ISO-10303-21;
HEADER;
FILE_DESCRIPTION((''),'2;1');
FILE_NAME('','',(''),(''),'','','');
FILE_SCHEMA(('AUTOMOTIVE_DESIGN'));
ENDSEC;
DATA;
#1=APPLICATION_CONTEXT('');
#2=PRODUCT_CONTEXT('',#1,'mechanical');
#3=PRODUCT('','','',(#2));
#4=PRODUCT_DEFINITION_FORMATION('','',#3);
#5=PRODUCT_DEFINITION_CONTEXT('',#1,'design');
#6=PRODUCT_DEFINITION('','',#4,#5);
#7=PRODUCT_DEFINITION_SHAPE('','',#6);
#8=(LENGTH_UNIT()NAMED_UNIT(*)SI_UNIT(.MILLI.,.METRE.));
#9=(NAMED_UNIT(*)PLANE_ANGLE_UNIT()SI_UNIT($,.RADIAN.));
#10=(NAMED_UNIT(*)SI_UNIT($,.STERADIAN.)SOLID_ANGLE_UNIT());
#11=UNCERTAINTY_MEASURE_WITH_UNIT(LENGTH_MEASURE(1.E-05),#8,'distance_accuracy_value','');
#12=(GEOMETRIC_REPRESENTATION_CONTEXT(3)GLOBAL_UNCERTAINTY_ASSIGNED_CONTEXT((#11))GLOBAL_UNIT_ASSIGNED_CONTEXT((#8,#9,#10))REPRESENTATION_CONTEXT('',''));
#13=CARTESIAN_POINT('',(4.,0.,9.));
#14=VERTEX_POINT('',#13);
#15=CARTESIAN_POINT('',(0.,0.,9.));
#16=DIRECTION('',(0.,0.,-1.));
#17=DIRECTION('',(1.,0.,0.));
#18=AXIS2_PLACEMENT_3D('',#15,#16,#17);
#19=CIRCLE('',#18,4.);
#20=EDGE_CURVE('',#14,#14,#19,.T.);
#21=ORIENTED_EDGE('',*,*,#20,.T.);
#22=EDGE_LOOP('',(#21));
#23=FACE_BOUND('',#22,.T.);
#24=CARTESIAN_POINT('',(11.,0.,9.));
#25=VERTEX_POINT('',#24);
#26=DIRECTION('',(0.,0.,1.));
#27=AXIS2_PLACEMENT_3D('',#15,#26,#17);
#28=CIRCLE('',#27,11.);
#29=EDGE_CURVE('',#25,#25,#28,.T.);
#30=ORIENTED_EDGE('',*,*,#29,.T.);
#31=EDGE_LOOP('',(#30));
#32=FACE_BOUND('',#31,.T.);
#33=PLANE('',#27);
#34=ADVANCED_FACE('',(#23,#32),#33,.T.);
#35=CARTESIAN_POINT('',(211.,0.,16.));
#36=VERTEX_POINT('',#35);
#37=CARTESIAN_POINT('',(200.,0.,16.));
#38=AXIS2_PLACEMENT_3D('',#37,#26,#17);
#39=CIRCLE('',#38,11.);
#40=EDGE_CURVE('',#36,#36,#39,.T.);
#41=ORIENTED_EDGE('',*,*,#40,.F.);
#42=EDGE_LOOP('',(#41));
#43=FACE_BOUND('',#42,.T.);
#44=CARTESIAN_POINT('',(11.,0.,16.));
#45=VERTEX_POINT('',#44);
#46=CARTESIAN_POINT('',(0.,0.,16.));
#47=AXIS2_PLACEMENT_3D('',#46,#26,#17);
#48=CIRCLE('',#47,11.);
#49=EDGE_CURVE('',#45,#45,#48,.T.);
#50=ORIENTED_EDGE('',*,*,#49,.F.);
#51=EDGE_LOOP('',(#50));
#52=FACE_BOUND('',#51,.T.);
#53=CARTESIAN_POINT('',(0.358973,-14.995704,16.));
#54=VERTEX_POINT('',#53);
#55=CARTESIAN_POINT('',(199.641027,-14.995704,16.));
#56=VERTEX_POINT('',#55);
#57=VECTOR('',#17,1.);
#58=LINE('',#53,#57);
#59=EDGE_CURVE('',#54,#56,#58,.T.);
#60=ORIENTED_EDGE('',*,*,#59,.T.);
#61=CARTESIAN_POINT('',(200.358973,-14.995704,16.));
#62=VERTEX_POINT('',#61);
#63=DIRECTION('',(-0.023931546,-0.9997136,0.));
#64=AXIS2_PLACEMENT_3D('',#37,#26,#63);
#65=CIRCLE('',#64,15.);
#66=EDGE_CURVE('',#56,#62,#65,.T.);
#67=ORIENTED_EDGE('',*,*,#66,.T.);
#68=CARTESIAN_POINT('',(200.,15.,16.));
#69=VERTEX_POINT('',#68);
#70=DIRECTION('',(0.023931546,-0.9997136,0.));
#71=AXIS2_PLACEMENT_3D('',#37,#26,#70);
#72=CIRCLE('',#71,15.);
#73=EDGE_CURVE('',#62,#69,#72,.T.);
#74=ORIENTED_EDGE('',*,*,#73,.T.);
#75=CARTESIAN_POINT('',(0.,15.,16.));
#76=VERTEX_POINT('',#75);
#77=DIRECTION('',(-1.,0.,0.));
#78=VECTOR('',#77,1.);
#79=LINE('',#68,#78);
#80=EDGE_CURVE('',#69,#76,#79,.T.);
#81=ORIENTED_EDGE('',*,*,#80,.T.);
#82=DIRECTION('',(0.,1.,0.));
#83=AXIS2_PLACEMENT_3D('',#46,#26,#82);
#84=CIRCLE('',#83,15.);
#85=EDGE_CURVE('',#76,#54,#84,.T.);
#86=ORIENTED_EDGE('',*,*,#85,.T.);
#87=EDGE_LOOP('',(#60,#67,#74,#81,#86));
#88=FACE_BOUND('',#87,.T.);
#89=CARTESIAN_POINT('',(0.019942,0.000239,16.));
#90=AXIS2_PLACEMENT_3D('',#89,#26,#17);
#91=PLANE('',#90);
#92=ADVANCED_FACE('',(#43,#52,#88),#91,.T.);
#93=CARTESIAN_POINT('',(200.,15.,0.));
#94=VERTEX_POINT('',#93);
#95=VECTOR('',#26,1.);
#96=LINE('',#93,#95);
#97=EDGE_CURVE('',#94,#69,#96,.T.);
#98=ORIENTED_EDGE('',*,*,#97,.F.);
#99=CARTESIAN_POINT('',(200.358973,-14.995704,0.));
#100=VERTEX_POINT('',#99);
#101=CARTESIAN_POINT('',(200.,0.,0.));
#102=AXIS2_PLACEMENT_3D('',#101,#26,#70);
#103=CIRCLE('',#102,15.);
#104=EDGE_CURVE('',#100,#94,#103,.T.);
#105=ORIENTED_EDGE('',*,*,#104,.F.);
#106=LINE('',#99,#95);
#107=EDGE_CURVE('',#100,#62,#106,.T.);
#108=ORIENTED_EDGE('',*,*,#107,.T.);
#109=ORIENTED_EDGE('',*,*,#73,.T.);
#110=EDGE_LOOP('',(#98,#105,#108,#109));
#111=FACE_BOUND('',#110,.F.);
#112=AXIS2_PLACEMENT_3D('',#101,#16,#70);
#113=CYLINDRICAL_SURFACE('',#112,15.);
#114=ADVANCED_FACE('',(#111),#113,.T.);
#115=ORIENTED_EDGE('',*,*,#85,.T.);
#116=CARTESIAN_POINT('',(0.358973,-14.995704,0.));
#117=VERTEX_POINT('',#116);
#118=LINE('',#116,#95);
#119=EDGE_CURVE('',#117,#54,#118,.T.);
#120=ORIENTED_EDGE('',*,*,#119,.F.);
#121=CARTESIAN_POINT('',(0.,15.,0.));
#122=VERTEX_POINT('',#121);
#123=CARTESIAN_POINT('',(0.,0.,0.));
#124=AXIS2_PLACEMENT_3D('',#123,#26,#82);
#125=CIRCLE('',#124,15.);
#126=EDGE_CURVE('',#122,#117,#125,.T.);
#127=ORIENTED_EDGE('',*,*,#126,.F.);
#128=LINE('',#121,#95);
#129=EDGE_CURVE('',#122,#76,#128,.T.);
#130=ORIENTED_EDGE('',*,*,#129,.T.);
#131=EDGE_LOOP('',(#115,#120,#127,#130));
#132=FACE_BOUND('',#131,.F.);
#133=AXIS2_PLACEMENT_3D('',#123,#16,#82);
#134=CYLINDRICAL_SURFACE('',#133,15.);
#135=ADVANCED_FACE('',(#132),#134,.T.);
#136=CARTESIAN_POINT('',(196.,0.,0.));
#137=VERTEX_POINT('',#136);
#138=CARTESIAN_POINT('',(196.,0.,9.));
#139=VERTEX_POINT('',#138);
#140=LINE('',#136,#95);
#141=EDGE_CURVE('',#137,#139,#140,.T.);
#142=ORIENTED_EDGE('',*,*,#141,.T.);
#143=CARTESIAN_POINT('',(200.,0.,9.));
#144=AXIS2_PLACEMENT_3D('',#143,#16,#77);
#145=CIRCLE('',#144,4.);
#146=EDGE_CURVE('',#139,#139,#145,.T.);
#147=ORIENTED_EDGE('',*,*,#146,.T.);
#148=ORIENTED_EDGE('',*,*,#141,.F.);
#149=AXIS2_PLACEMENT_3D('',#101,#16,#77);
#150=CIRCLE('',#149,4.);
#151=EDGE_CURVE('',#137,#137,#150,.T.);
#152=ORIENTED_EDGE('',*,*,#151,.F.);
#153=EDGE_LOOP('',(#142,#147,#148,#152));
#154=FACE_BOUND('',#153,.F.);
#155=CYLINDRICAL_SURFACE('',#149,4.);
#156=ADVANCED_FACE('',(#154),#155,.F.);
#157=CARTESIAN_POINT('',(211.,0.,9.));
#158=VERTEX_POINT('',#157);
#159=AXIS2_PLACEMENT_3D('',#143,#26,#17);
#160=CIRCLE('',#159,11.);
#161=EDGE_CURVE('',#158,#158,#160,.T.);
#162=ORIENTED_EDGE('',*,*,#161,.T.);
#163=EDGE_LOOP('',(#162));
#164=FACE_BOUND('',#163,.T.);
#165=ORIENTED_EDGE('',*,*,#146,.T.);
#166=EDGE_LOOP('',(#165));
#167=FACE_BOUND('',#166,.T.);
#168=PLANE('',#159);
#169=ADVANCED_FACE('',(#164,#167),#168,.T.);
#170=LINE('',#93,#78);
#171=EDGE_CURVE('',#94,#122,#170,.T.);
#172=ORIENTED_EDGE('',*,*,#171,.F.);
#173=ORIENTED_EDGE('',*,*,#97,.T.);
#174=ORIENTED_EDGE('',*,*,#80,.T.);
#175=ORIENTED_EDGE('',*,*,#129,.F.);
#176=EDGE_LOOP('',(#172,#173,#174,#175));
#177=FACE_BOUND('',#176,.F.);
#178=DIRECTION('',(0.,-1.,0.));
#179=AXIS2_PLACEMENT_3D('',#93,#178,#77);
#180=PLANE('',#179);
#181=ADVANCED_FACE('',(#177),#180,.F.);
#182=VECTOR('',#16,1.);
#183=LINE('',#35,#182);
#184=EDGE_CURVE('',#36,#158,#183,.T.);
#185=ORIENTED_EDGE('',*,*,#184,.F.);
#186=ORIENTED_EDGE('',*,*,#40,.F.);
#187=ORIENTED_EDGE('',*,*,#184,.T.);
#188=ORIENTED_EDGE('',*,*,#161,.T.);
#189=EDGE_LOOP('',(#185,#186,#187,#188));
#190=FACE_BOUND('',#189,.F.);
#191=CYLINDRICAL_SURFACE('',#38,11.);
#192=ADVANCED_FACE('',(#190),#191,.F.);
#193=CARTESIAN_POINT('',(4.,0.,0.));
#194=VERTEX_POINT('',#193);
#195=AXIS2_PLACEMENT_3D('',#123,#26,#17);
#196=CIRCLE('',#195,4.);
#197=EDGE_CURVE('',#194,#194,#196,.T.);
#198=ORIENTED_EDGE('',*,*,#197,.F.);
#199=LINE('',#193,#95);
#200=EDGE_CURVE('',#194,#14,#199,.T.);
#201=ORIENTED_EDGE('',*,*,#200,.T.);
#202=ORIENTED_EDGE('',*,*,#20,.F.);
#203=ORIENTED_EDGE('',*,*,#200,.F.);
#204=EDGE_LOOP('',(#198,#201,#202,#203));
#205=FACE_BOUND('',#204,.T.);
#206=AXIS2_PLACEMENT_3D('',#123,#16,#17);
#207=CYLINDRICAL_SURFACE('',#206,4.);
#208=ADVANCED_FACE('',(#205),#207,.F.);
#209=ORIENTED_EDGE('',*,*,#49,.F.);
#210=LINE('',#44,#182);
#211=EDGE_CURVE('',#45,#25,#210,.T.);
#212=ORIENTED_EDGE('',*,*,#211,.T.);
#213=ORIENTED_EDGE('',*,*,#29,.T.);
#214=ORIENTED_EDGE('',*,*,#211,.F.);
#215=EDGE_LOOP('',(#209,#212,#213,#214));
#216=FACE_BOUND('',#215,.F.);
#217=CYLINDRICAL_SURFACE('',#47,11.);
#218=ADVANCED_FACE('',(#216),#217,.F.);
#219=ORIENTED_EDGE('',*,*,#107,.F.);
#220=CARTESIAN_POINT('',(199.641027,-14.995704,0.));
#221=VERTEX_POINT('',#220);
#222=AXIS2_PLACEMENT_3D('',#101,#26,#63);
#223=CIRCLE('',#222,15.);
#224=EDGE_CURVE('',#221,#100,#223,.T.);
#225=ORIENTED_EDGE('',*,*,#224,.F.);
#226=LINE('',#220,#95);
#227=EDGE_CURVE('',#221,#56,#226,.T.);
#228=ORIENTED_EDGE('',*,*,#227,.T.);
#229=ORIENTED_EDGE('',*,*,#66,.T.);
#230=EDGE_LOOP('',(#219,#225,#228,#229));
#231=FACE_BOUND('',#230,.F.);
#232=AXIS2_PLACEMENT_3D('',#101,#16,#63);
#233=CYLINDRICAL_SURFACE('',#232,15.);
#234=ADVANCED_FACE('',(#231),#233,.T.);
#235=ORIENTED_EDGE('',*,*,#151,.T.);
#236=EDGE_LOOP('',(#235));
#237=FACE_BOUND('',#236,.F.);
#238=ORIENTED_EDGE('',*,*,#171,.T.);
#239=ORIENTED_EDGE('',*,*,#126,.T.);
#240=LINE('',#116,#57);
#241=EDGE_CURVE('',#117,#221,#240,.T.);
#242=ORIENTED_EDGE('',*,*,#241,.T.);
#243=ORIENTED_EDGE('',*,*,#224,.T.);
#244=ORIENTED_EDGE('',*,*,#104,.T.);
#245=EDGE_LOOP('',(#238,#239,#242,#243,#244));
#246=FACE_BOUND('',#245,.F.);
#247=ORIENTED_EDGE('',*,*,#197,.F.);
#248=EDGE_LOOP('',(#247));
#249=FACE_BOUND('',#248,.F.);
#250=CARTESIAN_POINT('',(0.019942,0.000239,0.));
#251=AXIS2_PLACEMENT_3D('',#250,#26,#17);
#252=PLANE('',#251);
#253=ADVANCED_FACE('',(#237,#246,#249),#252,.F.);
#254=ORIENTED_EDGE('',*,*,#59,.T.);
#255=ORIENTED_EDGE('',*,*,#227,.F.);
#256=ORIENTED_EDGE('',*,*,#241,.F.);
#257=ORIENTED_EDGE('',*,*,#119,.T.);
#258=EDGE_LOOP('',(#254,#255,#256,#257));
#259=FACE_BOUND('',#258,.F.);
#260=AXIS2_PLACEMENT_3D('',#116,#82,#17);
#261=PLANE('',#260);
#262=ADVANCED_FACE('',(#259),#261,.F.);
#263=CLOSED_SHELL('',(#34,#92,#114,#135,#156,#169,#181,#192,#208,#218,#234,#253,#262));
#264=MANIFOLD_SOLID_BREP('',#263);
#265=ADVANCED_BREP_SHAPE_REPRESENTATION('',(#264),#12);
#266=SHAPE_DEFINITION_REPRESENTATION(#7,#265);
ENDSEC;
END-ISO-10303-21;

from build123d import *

# Parameters (mm, degrees)
F0_R     = 4
F1_DEPTH = 16
F2_R     = 11
F3_DEPTH = 7


with BuildPart() as f1:
    # F0 (on Top) → F1 (new body)
    with BuildSketch(Plane.XY):
        with BuildLine():
            ThreePointArc((0.3589731907, -14.9957039931), (10.7327675336, -10.4789169798), (15, 0))
            ThreePointArc((15, 0), (10.6066017178, 10.6066017178), (0, 15))
            ThreePointArc((0, 15), (-14.9989259598, -0.179499448), (0.3589731907, -14.9957039931))
        make_face()
        Circle(F0_R, mode=Mode.SUBTRACT)
        with BuildLine():
            Line((185, 0), (15, 0))
            ThreePointArc((15, 0), (10.7327675336, -10.4789169798), (0.3589731907, -14.9957039931))
            Line((0.3589731907, -14.9957039931), (199.6410268093, -14.9957039931))
            ThreePointArc((199.6410268093, -14.9957039931), (189.2672324664, -10.4789169798), (185, 0))
        make_face()
        with BuildLine():
            ThreePointArc((0, 15), (10.6066017178, 10.6066017178), (15, 0))
            Line((15, 0), (185, 0))
            ThreePointArc((185, 0), (189.3933982822, 10.6066017178), (200, 15))
            Line((200, 15), (0, 15))
        make_face()
        with BuildLine():
            ThreePointArc((200, 15), (189.3933982822, 10.6066017178), (185, 0))
            ThreePointArc((185, 0), (189.2672324664, -10.4789169798), (199.6410268093, -14.9957039931))
            Line((199.6410268093, -14.9957039931), (200.3589731907, -14.9957039931))
            ThreePointArc((200.3589731907, -14.9957039931), (210.7327675336, -10.4789169798), (215, 0))
            ThreePointArc((215, 0), (210.6066017178, 10.6066017178), (200, 15))
        make_face()
        with BuildLine():
            ThreePointArc((204, 0), (200, -4), (196, 0))
            ThreePointArc((196, 0), (200, 4), (204, 0))
        make_face(mode=Mode.SUBTRACT)
        with BuildLine():
            Line((200.3589731907, -14.9957039931), (199.6410268093, -14.9957039931))
            ThreePointArc((199.6410268093, -14.9957039931), (200, -15), (200.3589731907, -14.9957039931))
        make_face()
    extrude(amount=F1_DEPTH)

    # F2 (on face) → F3 (cut)
    with BuildSketch(Plane.XY.offset(16)):
        Circle(F2_R)
        with Locations((200, 0)):
            Circle(F2_R)
    extrude(amount=-F3_DEPTH, mode=Mode.SUBTRACT)


solid = f1.part
